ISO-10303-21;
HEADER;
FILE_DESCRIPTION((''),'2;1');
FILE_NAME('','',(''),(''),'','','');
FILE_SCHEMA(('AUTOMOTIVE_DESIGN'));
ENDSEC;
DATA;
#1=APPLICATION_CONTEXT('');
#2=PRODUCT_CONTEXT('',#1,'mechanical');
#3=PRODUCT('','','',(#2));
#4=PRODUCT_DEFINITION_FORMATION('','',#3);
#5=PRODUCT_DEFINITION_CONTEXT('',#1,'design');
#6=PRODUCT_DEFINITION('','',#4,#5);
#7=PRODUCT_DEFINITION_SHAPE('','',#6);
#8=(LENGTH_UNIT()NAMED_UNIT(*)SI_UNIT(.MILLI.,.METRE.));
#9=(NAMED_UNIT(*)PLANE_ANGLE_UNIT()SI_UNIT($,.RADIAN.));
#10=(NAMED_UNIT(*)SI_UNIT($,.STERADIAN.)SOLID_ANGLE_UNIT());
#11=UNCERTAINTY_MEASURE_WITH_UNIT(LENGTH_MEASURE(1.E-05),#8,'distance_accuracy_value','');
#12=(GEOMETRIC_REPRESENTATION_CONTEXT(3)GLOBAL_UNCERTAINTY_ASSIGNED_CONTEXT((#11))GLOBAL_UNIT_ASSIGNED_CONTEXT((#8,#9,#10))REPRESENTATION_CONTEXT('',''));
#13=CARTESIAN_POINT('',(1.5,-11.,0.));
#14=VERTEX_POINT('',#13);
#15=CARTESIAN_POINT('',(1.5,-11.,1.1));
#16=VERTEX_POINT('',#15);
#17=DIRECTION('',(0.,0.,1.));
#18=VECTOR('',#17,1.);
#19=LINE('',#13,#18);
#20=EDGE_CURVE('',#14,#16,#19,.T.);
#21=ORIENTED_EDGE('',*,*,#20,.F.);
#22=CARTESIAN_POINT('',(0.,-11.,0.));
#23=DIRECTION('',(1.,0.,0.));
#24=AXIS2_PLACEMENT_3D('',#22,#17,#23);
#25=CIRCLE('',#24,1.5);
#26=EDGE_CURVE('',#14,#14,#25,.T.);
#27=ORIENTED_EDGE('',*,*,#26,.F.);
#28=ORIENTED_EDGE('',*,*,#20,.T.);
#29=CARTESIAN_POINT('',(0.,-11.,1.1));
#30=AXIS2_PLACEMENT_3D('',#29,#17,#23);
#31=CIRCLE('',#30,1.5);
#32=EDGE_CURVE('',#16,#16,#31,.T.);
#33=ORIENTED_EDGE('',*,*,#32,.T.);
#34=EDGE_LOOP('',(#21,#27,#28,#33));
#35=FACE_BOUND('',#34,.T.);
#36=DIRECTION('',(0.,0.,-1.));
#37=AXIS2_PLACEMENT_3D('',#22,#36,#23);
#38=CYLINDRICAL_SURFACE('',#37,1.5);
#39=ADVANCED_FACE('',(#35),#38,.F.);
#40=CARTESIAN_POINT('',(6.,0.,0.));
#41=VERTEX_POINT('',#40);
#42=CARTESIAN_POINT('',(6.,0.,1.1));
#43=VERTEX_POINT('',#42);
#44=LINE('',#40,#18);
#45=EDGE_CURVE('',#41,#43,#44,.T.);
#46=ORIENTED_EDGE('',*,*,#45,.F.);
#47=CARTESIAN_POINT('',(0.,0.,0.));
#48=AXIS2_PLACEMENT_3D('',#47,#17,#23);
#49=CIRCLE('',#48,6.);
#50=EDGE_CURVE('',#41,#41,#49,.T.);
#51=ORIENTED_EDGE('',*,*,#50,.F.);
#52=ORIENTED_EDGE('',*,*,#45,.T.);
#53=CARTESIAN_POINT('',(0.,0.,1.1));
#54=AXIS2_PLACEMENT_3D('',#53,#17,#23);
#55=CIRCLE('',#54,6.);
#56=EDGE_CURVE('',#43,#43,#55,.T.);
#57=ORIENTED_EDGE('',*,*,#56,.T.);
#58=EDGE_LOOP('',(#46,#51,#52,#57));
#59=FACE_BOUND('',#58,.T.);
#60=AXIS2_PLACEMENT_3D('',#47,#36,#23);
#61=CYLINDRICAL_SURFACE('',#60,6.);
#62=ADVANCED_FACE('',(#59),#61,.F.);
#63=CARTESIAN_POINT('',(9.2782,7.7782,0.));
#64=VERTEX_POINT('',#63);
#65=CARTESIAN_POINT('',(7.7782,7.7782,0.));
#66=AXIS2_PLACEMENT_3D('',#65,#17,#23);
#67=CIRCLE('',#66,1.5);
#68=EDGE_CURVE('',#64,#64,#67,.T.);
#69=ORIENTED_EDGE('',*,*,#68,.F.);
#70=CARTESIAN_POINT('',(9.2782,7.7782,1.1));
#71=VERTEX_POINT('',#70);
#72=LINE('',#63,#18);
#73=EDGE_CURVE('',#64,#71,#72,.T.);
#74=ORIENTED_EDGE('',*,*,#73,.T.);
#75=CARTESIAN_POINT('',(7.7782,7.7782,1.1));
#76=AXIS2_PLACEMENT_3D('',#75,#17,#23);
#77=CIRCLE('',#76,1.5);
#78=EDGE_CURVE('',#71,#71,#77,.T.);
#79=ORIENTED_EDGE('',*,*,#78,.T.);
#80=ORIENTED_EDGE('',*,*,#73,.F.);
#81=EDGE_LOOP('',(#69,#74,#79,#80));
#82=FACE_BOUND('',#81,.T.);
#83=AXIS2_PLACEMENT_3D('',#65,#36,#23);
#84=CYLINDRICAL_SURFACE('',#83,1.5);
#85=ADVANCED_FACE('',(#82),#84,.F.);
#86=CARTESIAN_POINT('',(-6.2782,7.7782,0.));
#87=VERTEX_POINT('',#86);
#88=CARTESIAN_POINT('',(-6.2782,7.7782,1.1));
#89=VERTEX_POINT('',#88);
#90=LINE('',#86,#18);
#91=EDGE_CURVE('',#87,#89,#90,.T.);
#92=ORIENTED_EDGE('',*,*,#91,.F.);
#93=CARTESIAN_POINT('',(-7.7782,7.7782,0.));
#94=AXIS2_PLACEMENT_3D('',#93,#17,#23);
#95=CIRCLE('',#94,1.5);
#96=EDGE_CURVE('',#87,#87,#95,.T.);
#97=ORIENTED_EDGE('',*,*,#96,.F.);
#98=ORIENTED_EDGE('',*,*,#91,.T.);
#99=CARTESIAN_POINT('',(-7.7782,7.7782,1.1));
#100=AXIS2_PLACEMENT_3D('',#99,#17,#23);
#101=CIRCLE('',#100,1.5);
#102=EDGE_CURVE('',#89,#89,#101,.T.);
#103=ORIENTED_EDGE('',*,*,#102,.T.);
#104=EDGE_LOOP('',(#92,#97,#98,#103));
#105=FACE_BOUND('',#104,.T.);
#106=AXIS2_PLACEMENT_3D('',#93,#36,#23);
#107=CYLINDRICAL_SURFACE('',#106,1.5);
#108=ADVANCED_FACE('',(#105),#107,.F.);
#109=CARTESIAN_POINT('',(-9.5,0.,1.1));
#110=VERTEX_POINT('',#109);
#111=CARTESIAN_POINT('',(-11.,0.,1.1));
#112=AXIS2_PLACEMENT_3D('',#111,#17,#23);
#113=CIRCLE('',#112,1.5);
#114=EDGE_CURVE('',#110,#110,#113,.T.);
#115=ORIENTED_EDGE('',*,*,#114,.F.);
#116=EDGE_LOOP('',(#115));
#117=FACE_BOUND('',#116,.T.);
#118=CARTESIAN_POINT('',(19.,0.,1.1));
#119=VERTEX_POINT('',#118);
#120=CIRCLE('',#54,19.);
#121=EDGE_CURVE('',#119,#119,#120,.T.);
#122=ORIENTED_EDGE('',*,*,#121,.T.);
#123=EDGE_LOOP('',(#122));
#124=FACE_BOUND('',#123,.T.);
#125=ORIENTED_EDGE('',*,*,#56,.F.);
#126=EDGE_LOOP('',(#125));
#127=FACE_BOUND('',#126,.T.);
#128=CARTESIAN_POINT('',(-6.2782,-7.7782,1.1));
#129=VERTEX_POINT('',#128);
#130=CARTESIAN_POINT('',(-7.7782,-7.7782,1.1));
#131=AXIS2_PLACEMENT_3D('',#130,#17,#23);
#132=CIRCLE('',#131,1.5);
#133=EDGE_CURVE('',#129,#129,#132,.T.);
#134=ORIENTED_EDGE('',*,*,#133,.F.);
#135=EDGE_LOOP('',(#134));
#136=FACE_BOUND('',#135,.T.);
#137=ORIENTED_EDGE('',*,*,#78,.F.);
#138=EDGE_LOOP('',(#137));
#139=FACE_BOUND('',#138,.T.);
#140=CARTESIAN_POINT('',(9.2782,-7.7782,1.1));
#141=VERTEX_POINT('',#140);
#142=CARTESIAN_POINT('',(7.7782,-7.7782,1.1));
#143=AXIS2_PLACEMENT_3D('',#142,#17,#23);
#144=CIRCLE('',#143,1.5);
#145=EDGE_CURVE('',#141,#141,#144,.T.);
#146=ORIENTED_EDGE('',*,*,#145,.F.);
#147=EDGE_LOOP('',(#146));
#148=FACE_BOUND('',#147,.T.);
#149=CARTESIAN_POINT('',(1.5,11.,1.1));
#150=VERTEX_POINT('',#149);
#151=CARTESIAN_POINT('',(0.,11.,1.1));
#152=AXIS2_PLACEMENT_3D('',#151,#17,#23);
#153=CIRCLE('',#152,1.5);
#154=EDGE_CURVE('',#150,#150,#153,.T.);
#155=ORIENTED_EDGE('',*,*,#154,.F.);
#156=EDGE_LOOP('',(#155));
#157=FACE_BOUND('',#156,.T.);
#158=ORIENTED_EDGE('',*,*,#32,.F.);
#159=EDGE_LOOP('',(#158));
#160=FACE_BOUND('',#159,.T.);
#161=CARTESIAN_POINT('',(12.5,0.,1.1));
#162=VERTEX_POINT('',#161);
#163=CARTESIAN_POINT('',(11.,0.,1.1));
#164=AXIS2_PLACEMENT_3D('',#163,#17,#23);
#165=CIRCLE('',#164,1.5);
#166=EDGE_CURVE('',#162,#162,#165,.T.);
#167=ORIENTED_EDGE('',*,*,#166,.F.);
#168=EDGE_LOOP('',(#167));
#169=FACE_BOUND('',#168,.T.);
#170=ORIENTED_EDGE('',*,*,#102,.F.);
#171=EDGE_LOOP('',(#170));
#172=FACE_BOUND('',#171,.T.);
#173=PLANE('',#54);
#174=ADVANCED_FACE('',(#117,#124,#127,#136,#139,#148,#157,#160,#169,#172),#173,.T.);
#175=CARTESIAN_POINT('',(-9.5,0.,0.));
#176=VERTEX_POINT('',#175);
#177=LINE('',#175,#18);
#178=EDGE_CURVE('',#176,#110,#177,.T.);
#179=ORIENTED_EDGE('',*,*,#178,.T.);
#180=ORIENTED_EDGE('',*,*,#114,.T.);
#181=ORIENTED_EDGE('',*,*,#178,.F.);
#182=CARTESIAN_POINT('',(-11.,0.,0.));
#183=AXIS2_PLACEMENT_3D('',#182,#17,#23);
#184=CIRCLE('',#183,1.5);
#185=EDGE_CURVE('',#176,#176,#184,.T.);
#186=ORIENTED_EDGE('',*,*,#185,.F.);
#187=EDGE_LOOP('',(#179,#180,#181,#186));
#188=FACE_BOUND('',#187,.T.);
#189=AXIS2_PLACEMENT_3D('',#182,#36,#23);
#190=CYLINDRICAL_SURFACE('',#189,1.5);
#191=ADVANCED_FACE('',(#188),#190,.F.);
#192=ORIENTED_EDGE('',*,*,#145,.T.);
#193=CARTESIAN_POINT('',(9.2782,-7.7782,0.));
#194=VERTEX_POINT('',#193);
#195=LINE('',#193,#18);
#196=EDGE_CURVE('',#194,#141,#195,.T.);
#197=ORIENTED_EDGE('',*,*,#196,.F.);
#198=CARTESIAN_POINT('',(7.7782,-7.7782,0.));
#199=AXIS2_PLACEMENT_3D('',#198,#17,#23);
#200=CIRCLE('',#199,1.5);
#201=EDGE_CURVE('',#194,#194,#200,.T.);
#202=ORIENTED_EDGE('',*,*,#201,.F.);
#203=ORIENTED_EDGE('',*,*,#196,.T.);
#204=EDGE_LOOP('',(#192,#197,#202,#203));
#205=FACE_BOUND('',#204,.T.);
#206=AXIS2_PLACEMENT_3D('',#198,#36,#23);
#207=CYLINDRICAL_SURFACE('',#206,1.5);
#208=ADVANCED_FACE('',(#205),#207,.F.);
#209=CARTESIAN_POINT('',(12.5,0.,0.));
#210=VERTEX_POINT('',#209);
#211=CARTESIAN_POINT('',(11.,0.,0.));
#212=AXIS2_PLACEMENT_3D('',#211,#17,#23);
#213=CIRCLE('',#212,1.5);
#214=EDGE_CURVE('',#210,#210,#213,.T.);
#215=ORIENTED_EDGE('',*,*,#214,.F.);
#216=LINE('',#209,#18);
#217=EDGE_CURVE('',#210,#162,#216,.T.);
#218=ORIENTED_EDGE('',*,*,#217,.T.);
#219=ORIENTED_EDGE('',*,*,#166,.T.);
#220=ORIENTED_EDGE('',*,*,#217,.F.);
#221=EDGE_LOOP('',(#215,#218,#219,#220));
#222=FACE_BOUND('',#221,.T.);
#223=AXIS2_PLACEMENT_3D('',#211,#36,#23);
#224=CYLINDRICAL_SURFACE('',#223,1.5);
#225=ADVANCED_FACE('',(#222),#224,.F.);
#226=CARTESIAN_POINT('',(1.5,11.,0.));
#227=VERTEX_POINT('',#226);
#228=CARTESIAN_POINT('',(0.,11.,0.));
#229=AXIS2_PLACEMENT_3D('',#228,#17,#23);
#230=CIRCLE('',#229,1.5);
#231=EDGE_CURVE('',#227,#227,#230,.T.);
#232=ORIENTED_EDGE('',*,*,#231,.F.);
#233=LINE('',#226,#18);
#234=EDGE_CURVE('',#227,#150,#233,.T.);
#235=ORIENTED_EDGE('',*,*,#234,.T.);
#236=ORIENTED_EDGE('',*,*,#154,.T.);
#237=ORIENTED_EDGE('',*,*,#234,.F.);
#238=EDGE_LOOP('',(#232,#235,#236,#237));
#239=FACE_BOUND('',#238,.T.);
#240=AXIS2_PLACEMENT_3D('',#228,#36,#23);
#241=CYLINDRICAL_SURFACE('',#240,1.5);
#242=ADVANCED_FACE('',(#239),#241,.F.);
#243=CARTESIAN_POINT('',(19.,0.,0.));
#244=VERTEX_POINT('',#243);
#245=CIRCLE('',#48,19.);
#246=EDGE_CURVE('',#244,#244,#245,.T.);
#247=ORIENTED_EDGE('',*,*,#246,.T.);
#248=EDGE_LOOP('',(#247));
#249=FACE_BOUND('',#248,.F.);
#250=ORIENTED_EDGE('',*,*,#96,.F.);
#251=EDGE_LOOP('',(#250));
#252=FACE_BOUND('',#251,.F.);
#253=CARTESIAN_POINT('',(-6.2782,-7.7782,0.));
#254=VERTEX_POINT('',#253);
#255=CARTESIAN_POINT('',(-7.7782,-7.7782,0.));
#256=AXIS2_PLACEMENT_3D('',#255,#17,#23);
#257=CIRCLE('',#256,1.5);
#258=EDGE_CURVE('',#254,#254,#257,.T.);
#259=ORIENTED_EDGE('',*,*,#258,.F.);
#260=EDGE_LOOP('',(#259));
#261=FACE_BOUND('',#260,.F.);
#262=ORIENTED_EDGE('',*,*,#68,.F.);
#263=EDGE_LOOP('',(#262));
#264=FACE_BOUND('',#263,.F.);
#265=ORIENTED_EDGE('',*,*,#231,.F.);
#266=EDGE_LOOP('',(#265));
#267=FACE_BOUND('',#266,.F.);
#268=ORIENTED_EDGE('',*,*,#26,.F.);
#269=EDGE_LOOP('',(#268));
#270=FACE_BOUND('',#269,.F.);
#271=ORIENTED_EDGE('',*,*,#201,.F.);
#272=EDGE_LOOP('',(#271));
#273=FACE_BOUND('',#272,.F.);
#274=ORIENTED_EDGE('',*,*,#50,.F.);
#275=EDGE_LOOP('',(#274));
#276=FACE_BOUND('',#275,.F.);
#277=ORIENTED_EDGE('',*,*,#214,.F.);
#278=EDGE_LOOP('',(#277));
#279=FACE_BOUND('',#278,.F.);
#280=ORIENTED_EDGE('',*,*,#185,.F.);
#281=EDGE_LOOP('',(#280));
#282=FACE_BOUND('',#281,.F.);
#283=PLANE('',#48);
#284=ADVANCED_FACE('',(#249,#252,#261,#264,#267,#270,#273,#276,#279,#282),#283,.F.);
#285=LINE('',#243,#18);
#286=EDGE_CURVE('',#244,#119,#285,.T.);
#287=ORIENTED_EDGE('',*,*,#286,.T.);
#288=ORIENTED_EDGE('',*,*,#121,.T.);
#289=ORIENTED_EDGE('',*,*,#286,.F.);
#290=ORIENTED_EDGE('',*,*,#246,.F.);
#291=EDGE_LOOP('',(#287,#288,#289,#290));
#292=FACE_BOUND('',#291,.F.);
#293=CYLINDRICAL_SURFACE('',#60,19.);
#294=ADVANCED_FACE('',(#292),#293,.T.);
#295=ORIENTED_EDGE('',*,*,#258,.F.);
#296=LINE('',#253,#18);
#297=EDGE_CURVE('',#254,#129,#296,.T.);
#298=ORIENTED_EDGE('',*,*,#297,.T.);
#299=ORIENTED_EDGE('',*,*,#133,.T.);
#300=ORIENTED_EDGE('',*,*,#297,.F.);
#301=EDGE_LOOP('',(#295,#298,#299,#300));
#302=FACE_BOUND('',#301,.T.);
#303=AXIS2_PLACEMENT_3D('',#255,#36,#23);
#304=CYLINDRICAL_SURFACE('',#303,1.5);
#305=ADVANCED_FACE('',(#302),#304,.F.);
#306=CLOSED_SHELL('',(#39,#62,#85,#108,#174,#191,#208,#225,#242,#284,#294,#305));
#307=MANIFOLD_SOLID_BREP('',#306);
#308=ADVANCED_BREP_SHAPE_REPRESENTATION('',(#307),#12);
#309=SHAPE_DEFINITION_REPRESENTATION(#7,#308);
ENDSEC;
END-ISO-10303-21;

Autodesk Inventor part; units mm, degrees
ref_plane "YZ Plane" through (0, 0, 0) normal (1, 0, 0) x (0, 1, 0)
ref_plane "XZ Plane" through (0, 0, 0) normal (0, 1, 0) x (-1, 0, 0)
ref_plane "XY Plane" through (0, 0, 0) normal (0, 0, 1) x (1, 0, 0)
sketch "Sketch1" plane through (0, 0, 0) normal (0, 0, 1) x (1, 0, 0)
  line L0 (-13, -11) -> (13, -11) construction
  circle A0 centre (0, 0) radius 13.8 construction
  circle A1 centre (0, 0) radius 5 construction
  circle A2 centre (0, -11) radius 1.2813 construction
  circle A3 centre (-7.7782, -7.7782) radius 1.2813 construction
  circle A4 centre (-11, 0) radius 1.2813 construction
  circle A5 centre (-7.7782, 7.7782) radius 1.2813 construction
  circle A6 centre (0, 11) radius 1.2813 construction
  circle A7 centre (7.7782, 7.7782) radius 1.2813 construction
  circle A8 centre (11, 0) radius 1.2813 construction
  circle A9 centre (7.7782, -7.7782) radius 1.2813 construction
  circle A10 centre (0, -8) radius 1.2 construction
  circle A11 centre (-8, 0) radius 1.2 construction
  circle A12 centre (0, 8) radius 1.2 construction
  circle A13 centre (8, 0) radius 1.2 construction
  circle A14 centre (0, -11) radius 1.5
  circle A15 centre (7.7782, -7.7782) radius 1.5
  circle A16 centre (11, 0) radius 1.5
  circle A17 centre (7.7782, 7.7782) radius 1.5
  circle A18 centre (0, 11) radius 1.5
  circle A19 centre (-7.7782, 7.7782) radius 1.5
  circle A20 centre (-11, 0) radius 1.5
  circle A21 centre (-7.7782, -7.7782) radius 1.5
  circle A22 centre (0, 0) radius 6
  circle A23 centre (0, 0) radius 19
  dimension "d0" = 3
  dimension "d3" = 360
  dimension "d5" = 12
  dimension "d6" = 38
extrude "Extrusion1" add sketch "Sketch1" along normal blind 1.1
properties part number "motor_spacer_leg"
